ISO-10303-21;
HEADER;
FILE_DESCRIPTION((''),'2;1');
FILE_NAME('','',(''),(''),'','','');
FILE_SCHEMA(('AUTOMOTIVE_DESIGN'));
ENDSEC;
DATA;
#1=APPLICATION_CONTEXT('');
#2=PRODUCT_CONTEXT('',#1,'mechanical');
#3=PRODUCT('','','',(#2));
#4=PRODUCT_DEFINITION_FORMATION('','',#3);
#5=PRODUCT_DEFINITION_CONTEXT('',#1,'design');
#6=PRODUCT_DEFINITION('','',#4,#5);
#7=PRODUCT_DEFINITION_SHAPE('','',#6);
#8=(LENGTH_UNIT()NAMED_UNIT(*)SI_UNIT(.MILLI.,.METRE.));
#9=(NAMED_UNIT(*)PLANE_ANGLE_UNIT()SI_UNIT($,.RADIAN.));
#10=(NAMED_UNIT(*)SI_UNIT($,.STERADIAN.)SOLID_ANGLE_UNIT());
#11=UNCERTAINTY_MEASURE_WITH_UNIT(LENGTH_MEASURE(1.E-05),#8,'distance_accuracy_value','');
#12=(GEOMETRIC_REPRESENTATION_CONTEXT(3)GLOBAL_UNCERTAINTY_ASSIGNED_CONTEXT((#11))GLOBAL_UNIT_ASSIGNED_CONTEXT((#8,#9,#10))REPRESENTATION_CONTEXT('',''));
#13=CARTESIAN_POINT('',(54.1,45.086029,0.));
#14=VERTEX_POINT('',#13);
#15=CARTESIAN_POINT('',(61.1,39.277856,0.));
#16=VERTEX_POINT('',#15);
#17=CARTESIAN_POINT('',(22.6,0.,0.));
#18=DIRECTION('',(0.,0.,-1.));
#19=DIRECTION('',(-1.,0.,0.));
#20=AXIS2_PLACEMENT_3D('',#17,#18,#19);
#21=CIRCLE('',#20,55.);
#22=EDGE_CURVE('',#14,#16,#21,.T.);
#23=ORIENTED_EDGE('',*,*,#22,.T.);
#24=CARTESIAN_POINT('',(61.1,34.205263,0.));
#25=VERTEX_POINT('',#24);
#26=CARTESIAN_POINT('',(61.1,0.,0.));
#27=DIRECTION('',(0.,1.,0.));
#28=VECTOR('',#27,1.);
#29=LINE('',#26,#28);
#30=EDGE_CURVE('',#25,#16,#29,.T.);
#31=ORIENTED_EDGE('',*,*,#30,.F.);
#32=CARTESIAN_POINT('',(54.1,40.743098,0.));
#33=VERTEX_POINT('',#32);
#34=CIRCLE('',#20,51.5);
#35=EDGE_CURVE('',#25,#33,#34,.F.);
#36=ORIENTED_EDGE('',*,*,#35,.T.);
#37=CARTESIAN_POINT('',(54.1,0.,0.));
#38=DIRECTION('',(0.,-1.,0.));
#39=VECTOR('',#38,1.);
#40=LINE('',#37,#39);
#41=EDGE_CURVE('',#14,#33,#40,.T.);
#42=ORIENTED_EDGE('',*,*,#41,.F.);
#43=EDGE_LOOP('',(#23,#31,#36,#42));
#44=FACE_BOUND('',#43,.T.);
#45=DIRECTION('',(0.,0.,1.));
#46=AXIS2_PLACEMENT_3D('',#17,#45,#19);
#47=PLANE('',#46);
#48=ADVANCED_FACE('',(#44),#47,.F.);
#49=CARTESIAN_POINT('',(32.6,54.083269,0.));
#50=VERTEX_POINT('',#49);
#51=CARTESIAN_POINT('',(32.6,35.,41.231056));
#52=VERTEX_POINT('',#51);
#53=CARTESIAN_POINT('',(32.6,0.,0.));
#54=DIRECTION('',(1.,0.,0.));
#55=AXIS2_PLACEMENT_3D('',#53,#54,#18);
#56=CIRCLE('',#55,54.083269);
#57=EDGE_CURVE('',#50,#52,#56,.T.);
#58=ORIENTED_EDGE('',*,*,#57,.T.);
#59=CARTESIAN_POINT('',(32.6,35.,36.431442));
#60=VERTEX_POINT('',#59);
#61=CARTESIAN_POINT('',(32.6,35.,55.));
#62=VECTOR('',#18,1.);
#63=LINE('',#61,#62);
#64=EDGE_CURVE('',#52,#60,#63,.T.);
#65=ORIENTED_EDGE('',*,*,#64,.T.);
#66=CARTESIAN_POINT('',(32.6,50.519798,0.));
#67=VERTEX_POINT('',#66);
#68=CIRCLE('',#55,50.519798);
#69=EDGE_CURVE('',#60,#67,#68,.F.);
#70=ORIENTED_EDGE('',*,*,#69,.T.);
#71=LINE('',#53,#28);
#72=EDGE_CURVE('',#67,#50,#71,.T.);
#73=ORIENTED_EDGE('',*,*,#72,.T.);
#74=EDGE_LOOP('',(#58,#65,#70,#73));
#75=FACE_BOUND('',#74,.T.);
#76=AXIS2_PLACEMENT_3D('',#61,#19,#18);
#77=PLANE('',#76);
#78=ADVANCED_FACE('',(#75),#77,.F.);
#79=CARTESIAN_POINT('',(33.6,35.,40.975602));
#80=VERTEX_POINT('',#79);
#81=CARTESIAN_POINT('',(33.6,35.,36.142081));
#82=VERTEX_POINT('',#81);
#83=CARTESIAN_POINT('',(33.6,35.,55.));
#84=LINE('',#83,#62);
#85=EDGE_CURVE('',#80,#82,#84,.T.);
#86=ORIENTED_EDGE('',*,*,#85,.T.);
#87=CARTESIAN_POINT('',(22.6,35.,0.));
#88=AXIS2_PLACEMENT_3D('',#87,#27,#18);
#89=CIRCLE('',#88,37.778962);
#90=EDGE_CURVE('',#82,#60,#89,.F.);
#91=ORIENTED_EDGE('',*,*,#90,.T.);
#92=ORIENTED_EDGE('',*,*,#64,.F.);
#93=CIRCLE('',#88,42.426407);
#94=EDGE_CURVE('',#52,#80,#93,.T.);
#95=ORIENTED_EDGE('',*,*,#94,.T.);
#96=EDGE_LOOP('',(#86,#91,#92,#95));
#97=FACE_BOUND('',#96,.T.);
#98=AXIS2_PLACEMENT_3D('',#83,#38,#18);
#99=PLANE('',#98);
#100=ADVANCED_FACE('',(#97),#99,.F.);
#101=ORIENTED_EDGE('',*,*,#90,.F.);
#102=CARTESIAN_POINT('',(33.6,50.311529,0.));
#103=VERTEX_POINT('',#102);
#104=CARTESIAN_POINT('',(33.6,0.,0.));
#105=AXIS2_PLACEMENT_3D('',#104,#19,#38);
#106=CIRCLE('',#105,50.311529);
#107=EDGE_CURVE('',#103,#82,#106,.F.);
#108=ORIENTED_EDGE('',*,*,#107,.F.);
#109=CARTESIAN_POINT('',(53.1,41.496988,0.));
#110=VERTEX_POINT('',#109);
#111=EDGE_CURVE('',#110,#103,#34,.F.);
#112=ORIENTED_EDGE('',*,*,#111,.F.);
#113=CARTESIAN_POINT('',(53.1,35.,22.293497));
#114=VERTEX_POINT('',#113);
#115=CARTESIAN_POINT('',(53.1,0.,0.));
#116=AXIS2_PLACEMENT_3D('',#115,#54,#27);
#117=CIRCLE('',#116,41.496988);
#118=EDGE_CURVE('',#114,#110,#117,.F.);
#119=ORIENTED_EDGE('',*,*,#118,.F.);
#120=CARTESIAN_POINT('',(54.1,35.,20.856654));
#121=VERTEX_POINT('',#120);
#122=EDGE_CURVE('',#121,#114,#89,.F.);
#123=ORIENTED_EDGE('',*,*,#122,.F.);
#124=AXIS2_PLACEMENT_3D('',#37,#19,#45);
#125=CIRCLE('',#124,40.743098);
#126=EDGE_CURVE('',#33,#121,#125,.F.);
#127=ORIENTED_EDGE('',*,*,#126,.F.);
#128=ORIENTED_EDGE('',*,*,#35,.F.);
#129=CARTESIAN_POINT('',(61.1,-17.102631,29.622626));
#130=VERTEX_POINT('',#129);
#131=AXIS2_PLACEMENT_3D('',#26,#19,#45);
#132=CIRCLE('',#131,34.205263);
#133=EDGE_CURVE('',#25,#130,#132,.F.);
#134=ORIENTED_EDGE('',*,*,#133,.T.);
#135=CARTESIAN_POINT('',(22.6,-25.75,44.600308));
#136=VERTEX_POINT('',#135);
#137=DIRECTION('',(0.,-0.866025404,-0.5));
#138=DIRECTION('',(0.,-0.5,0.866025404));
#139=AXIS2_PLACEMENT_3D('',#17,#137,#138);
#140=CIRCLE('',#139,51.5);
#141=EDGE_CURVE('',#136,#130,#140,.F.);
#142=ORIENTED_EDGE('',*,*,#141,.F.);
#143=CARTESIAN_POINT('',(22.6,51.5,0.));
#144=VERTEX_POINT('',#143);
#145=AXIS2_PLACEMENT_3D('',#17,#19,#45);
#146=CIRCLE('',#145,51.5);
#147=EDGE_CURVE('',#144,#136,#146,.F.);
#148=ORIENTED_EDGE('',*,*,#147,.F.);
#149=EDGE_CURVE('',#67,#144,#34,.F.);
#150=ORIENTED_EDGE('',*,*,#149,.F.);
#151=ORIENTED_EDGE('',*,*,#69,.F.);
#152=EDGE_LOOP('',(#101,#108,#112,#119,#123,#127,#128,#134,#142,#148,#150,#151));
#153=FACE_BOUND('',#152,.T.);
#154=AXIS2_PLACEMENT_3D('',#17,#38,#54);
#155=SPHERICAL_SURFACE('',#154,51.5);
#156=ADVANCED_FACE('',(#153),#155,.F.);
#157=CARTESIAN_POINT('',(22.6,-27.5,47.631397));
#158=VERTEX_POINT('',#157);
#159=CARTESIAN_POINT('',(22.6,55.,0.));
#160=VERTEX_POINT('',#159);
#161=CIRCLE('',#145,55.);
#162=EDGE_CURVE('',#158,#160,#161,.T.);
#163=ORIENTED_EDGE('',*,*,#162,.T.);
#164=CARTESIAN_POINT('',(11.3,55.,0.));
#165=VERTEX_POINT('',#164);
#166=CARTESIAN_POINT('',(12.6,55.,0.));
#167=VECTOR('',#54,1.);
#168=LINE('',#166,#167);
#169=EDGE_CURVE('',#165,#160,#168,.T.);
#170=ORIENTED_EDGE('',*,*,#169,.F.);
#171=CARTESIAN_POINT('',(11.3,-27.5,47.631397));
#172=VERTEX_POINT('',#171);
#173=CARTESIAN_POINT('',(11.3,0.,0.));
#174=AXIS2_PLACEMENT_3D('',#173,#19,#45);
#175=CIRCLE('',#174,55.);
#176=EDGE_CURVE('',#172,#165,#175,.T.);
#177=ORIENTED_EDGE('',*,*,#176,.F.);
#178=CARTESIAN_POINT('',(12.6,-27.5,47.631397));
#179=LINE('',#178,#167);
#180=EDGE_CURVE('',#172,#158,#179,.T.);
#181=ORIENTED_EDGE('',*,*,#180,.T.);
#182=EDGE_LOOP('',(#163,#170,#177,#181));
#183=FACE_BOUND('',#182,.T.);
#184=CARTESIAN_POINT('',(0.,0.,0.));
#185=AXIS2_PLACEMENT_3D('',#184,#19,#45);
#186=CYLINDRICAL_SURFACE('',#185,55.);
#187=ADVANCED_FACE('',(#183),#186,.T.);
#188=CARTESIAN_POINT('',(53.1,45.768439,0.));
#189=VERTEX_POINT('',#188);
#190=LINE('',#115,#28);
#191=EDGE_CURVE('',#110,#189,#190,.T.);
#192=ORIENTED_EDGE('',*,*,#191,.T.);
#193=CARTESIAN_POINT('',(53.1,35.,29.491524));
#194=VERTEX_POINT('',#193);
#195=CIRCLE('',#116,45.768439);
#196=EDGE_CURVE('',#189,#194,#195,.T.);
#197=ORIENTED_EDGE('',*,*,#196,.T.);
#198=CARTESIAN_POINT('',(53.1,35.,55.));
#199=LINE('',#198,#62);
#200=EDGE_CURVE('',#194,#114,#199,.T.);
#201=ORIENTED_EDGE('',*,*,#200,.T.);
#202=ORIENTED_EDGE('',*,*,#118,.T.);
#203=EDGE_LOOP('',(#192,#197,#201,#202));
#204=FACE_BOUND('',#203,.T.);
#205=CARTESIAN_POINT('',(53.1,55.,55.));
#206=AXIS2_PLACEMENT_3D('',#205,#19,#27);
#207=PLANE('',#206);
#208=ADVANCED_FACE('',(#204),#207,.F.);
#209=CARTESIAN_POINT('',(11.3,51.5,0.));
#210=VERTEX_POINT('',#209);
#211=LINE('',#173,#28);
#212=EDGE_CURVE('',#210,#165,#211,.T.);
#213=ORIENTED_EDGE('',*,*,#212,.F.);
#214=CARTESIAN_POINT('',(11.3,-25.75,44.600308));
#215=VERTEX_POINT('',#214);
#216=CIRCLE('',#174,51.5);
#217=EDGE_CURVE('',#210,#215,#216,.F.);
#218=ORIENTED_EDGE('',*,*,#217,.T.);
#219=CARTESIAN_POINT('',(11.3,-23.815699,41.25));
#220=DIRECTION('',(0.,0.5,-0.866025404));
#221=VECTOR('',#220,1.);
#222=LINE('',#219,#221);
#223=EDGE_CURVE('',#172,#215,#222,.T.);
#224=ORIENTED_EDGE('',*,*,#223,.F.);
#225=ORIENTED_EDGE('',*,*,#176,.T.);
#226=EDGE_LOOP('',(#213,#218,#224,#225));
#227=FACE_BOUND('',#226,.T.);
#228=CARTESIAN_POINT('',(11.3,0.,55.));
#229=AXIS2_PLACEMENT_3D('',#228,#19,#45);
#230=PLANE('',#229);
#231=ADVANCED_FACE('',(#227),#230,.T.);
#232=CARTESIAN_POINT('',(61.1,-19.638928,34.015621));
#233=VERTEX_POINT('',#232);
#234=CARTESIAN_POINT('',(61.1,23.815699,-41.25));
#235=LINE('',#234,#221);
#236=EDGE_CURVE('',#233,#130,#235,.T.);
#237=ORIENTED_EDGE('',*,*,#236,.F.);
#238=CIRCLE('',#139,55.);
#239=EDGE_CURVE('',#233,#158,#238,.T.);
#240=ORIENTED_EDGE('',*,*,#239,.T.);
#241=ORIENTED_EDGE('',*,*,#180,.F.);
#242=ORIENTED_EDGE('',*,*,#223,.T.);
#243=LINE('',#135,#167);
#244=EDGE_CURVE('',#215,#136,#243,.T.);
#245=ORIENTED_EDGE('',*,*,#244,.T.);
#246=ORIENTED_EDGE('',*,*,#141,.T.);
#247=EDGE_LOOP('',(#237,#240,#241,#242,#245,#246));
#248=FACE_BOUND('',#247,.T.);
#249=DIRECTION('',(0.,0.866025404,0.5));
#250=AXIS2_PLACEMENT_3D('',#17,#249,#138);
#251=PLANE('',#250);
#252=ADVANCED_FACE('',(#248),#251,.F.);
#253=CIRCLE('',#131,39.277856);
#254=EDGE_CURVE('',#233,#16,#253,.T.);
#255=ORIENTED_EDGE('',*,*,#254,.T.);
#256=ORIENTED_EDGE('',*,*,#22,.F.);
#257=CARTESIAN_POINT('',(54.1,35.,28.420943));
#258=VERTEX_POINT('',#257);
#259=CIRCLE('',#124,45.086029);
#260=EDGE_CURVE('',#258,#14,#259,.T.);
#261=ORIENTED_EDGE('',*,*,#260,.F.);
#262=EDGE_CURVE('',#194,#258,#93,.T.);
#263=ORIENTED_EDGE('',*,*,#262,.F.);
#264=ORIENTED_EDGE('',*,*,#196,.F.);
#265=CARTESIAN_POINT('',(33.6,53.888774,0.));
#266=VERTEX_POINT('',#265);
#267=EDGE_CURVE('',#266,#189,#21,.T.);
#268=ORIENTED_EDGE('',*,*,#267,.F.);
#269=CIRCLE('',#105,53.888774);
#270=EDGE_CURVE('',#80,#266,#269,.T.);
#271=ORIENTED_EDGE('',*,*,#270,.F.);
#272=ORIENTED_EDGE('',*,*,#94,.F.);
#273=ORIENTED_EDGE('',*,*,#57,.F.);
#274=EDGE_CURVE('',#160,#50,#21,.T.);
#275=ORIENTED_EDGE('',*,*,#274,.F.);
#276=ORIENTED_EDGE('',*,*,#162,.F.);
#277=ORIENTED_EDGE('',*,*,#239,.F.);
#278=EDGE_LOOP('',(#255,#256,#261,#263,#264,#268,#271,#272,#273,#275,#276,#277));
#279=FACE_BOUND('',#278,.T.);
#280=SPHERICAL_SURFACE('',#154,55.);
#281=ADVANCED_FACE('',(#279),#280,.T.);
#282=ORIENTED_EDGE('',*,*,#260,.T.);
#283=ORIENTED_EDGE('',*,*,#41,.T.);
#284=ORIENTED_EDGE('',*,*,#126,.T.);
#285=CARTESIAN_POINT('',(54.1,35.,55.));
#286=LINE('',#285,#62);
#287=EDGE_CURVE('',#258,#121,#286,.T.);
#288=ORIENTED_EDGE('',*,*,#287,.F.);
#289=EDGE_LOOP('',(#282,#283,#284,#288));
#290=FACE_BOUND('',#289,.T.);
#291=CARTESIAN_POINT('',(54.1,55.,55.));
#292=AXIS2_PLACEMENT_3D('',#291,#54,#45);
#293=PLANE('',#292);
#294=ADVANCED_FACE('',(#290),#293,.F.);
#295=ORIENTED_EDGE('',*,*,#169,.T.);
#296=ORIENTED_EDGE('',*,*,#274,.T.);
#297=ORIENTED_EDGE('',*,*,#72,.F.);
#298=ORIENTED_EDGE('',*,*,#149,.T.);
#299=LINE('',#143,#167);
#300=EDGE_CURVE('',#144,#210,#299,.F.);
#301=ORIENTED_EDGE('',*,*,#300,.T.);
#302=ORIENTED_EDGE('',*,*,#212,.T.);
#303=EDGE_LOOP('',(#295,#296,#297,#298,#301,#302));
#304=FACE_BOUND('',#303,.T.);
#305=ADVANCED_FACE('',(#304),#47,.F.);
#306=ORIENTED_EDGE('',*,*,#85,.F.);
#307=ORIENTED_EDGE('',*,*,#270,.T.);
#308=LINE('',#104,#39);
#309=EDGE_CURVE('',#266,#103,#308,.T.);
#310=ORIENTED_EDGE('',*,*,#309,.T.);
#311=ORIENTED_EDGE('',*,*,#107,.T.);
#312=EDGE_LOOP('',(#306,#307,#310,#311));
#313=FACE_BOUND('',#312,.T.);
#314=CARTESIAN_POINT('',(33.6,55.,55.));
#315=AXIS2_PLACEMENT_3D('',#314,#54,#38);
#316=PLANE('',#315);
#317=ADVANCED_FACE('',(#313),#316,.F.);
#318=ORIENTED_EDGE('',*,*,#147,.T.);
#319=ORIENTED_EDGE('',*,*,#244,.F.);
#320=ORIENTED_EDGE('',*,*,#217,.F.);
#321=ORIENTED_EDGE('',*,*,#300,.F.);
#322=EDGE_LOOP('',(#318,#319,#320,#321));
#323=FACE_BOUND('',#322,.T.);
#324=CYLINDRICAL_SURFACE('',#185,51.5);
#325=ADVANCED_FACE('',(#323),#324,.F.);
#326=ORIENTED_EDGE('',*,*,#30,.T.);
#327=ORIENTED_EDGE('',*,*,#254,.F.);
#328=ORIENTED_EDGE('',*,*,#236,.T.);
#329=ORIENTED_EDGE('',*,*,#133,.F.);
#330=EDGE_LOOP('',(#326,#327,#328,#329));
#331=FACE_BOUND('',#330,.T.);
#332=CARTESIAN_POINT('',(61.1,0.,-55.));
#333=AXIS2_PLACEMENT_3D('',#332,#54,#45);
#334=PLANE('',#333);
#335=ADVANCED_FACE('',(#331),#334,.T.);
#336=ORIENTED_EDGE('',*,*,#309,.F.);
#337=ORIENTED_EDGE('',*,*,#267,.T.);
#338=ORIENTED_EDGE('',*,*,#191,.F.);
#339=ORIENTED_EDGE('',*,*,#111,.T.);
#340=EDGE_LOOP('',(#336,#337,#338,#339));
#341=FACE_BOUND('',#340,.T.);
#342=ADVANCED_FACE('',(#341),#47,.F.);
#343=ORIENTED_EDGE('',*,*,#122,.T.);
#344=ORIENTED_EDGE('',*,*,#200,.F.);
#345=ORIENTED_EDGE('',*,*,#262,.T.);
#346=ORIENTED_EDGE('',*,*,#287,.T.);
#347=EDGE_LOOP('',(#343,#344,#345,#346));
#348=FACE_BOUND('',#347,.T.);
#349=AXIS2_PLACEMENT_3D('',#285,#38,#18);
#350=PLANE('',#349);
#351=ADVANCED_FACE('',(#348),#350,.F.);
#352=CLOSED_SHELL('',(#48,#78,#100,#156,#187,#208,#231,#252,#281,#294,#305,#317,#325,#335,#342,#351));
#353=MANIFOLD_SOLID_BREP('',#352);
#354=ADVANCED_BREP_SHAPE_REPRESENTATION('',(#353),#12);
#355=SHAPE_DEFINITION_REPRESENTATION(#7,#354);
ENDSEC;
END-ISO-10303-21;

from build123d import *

# Parameters (mm, degrees)
CUT_EXTRUDE_1_DEPTH      = 96.262794416
CUT_EXTRUDE_1_DEPTH_BACK = 96.262794416
SKETCH_2_W               = 55
SKETCH_2_H               = 110
CUT_EXTRUDE_2_DEPTH      = 96.262794416
CUT_EXTRUDE_2_DEPTH_BACK = 96.262794416
SKETCH_3_W               = 23.273135213
SKETCH_3_H               = 110
CUT_EXTRUDE_3_DEPTH      = 87.788536109
SKETCH_5_W               = 1
SKETCH_5_H               = 20
CUT_EXTRUDE_4_DEPTH      = 87.788536109
SKETCH_6_W               = 11.3
SKETCH_6_H               = 3.5
CUT_EXTRUDE_START        = -10
CUT_EXTRUDE_5_DEPTH      = 10
CUT_EXTRUDE_7_DEPTH      = 99.910110707
CUT_EXTRUDE_8_DEPTH      = 70
CUT_EXTRUDE_8_DEPTH_BACK = 70
CUT_EXTRUDE_9_DEPTH      = 70


with BuildPart() as part:
    # 草图1 → 旋转8 (revolve)
    with BuildSketch(Plane.XY):
        with BuildLine():
            Line((0, 55), (0, 51.5))
            ThreePointArc((0, 51.5), (-51.5, 0), (0, -51.5))
            Line((0, -51.5), (0, -55))
            ThreePointArc((0, -55), (-55, 0), (0, 55))
        make_face()
    revolve(axis=Axis((0, 0, 0), (0, 1, 0)))

    # 草图2 → 切除-拉伸1 (cut, two sides: drawn at the far end of the back side and taken through both)
    with BuildSketch(Plane.XY.offset(-CUT_EXTRUDE_1_DEPTH_BACK)):
        with Locations((27.5, 0)):
            Rectangle(SKETCH_2_W, SKETCH_2_H)
    extrude(amount=CUT_EXTRUDE_1_DEPTH + CUT_EXTRUDE_1_DEPTH_BACK, mode=Mode.SUBTRACT)

    # 草图3 → 切除-拉伸2 (cut, two sides: drawn at the far end of the back side and taken through both)
    with BuildSketch(Plane.XY.offset(-CUT_EXTRUDE_2_DEPTH_BACK)):
        with Locations((-50.136567607, 0)):
            Rectangle(SKETCH_3_W, SKETCH_3_H)
    extrude(amount=CUT_EXTRUDE_2_DEPTH + CUT_EXTRUDE_2_DEPTH_BACK, mode=Mode.SUBTRACT)

    # 草图4 → 切除-拉伸3 (cut, through all)
    with BuildSketch(Plane.ZY.offset(38.5)):
        with BuildLine():
            Line((0, 0), (0, 64.529887393))
            ThreePointArc((0, 64.529887393), (-55.884521786, -32.264943697), (55.884521786, -32.264943697))
            Line((55.884521786, -32.264943697), (0, 0))
        make_face()
    extrude(amount=-CUT_EXTRUDE_3_DEPTH, mode=Mode.SUBTRACT)

    # 草图5 → 切除-拉伸4 (cut, through all)
    with BuildSketch(Plane(origin=(0, 0, 0), x_dir=(-1, 0, 0), z_dir=(0, 0, -1))):
        with Locations((31, 45)):
            Rectangle(SKETCH_5_W, SKETCH_5_H)
        with Locations((10.5, 45)):
            Rectangle(SKETCH_5_W, SKETCH_5_H)
    extrude(amount=-CUT_EXTRUDE_4_DEPTH, mode=Mode.SUBTRACT)

    # 草图6 → 旋转9 (revolve)
    with BuildSketch(Plane.XY):
        with Locations((5.65, 53.25)):
            Rectangle(SKETCH_6_W, SKETCH_6_H)
    revolve(axis=Axis((0, 0, 0), (1, 0, 0)))

    # 草图7 → 切除-拉伸5 (cut)
    with BuildSketch(Plane.ZY.offset(CUT_EXTRUDE_START)):
        with BuildLine():
            Line((0, 55), (0, 0))
            Line((0, 0), (47.631397208, -27.5))
            ThreePointArc((47.631397208, -27.5), (-47.631397208, -27.5), (0, 55))
        make_face()
    extrude(amount=CUT_EXTRUDE_5_DEPTH, mode=Mode.SUBTRACT)

    # 镜向1: part across plane


with BuildPart() as part_1:
    add(part.part)
    add(part.part.mirror(Plane(origin=(11.3, 55, 0), x_dir=(0, 0, 1), z_dir=(-1, 0, 0))))

    # 草图8 → 切除-拉伸7 (cut, through all)
    with BuildSketch(Plane.XY):
        Polygon((-38.5, 54.805759265), (-38.5, -31.439264279), (11.3, -31.439264279), (11.3, 56.704937245), align=None)
    extrude(amount=CUT_EXTRUDE_7_DEPTH, mode=Mode.SUBTRACT)

    # 草图9 → 切除-拉伸8 (cut, two sides: drawn at the far end of the back side and taken through both)
    with BuildSketch(Plane.XY.offset(-CUT_EXTRUDE_8_DEPTH_BACK)):
        Polygon((11.3, 55), (11.3, 58.911756152), (4.567331784, 58.911756152), (4.567331784, -60.848172915), (11.3, -60.848172915), align=None)
    extrude(amount=CUT_EXTRUDE_8_DEPTH + CUT_EXTRUDE_8_DEPTH_BACK, mode=Mode.SUBTRACT)

    # 草图10 → 切除-拉伸9 (cut)
    with BuildSketch(Plane(origin=(12.6, 0, 0), x_dir=(0, 0, -1), z_dir=(1, 0, 0))):
        with BuildLine():
            Line((0, 55), (0, 0))
            Line((0, 0), (-47.631397208, -27.5))
            ThreePointArc((-47.631397208, -27.5), (47.631397208, -27.5), (0, 55))
        make_face()
    extrude(amount=-CUT_EXTRUDE_9_DEPTH, mode=Mode.SUBTRACT)


solid = part_1.part
